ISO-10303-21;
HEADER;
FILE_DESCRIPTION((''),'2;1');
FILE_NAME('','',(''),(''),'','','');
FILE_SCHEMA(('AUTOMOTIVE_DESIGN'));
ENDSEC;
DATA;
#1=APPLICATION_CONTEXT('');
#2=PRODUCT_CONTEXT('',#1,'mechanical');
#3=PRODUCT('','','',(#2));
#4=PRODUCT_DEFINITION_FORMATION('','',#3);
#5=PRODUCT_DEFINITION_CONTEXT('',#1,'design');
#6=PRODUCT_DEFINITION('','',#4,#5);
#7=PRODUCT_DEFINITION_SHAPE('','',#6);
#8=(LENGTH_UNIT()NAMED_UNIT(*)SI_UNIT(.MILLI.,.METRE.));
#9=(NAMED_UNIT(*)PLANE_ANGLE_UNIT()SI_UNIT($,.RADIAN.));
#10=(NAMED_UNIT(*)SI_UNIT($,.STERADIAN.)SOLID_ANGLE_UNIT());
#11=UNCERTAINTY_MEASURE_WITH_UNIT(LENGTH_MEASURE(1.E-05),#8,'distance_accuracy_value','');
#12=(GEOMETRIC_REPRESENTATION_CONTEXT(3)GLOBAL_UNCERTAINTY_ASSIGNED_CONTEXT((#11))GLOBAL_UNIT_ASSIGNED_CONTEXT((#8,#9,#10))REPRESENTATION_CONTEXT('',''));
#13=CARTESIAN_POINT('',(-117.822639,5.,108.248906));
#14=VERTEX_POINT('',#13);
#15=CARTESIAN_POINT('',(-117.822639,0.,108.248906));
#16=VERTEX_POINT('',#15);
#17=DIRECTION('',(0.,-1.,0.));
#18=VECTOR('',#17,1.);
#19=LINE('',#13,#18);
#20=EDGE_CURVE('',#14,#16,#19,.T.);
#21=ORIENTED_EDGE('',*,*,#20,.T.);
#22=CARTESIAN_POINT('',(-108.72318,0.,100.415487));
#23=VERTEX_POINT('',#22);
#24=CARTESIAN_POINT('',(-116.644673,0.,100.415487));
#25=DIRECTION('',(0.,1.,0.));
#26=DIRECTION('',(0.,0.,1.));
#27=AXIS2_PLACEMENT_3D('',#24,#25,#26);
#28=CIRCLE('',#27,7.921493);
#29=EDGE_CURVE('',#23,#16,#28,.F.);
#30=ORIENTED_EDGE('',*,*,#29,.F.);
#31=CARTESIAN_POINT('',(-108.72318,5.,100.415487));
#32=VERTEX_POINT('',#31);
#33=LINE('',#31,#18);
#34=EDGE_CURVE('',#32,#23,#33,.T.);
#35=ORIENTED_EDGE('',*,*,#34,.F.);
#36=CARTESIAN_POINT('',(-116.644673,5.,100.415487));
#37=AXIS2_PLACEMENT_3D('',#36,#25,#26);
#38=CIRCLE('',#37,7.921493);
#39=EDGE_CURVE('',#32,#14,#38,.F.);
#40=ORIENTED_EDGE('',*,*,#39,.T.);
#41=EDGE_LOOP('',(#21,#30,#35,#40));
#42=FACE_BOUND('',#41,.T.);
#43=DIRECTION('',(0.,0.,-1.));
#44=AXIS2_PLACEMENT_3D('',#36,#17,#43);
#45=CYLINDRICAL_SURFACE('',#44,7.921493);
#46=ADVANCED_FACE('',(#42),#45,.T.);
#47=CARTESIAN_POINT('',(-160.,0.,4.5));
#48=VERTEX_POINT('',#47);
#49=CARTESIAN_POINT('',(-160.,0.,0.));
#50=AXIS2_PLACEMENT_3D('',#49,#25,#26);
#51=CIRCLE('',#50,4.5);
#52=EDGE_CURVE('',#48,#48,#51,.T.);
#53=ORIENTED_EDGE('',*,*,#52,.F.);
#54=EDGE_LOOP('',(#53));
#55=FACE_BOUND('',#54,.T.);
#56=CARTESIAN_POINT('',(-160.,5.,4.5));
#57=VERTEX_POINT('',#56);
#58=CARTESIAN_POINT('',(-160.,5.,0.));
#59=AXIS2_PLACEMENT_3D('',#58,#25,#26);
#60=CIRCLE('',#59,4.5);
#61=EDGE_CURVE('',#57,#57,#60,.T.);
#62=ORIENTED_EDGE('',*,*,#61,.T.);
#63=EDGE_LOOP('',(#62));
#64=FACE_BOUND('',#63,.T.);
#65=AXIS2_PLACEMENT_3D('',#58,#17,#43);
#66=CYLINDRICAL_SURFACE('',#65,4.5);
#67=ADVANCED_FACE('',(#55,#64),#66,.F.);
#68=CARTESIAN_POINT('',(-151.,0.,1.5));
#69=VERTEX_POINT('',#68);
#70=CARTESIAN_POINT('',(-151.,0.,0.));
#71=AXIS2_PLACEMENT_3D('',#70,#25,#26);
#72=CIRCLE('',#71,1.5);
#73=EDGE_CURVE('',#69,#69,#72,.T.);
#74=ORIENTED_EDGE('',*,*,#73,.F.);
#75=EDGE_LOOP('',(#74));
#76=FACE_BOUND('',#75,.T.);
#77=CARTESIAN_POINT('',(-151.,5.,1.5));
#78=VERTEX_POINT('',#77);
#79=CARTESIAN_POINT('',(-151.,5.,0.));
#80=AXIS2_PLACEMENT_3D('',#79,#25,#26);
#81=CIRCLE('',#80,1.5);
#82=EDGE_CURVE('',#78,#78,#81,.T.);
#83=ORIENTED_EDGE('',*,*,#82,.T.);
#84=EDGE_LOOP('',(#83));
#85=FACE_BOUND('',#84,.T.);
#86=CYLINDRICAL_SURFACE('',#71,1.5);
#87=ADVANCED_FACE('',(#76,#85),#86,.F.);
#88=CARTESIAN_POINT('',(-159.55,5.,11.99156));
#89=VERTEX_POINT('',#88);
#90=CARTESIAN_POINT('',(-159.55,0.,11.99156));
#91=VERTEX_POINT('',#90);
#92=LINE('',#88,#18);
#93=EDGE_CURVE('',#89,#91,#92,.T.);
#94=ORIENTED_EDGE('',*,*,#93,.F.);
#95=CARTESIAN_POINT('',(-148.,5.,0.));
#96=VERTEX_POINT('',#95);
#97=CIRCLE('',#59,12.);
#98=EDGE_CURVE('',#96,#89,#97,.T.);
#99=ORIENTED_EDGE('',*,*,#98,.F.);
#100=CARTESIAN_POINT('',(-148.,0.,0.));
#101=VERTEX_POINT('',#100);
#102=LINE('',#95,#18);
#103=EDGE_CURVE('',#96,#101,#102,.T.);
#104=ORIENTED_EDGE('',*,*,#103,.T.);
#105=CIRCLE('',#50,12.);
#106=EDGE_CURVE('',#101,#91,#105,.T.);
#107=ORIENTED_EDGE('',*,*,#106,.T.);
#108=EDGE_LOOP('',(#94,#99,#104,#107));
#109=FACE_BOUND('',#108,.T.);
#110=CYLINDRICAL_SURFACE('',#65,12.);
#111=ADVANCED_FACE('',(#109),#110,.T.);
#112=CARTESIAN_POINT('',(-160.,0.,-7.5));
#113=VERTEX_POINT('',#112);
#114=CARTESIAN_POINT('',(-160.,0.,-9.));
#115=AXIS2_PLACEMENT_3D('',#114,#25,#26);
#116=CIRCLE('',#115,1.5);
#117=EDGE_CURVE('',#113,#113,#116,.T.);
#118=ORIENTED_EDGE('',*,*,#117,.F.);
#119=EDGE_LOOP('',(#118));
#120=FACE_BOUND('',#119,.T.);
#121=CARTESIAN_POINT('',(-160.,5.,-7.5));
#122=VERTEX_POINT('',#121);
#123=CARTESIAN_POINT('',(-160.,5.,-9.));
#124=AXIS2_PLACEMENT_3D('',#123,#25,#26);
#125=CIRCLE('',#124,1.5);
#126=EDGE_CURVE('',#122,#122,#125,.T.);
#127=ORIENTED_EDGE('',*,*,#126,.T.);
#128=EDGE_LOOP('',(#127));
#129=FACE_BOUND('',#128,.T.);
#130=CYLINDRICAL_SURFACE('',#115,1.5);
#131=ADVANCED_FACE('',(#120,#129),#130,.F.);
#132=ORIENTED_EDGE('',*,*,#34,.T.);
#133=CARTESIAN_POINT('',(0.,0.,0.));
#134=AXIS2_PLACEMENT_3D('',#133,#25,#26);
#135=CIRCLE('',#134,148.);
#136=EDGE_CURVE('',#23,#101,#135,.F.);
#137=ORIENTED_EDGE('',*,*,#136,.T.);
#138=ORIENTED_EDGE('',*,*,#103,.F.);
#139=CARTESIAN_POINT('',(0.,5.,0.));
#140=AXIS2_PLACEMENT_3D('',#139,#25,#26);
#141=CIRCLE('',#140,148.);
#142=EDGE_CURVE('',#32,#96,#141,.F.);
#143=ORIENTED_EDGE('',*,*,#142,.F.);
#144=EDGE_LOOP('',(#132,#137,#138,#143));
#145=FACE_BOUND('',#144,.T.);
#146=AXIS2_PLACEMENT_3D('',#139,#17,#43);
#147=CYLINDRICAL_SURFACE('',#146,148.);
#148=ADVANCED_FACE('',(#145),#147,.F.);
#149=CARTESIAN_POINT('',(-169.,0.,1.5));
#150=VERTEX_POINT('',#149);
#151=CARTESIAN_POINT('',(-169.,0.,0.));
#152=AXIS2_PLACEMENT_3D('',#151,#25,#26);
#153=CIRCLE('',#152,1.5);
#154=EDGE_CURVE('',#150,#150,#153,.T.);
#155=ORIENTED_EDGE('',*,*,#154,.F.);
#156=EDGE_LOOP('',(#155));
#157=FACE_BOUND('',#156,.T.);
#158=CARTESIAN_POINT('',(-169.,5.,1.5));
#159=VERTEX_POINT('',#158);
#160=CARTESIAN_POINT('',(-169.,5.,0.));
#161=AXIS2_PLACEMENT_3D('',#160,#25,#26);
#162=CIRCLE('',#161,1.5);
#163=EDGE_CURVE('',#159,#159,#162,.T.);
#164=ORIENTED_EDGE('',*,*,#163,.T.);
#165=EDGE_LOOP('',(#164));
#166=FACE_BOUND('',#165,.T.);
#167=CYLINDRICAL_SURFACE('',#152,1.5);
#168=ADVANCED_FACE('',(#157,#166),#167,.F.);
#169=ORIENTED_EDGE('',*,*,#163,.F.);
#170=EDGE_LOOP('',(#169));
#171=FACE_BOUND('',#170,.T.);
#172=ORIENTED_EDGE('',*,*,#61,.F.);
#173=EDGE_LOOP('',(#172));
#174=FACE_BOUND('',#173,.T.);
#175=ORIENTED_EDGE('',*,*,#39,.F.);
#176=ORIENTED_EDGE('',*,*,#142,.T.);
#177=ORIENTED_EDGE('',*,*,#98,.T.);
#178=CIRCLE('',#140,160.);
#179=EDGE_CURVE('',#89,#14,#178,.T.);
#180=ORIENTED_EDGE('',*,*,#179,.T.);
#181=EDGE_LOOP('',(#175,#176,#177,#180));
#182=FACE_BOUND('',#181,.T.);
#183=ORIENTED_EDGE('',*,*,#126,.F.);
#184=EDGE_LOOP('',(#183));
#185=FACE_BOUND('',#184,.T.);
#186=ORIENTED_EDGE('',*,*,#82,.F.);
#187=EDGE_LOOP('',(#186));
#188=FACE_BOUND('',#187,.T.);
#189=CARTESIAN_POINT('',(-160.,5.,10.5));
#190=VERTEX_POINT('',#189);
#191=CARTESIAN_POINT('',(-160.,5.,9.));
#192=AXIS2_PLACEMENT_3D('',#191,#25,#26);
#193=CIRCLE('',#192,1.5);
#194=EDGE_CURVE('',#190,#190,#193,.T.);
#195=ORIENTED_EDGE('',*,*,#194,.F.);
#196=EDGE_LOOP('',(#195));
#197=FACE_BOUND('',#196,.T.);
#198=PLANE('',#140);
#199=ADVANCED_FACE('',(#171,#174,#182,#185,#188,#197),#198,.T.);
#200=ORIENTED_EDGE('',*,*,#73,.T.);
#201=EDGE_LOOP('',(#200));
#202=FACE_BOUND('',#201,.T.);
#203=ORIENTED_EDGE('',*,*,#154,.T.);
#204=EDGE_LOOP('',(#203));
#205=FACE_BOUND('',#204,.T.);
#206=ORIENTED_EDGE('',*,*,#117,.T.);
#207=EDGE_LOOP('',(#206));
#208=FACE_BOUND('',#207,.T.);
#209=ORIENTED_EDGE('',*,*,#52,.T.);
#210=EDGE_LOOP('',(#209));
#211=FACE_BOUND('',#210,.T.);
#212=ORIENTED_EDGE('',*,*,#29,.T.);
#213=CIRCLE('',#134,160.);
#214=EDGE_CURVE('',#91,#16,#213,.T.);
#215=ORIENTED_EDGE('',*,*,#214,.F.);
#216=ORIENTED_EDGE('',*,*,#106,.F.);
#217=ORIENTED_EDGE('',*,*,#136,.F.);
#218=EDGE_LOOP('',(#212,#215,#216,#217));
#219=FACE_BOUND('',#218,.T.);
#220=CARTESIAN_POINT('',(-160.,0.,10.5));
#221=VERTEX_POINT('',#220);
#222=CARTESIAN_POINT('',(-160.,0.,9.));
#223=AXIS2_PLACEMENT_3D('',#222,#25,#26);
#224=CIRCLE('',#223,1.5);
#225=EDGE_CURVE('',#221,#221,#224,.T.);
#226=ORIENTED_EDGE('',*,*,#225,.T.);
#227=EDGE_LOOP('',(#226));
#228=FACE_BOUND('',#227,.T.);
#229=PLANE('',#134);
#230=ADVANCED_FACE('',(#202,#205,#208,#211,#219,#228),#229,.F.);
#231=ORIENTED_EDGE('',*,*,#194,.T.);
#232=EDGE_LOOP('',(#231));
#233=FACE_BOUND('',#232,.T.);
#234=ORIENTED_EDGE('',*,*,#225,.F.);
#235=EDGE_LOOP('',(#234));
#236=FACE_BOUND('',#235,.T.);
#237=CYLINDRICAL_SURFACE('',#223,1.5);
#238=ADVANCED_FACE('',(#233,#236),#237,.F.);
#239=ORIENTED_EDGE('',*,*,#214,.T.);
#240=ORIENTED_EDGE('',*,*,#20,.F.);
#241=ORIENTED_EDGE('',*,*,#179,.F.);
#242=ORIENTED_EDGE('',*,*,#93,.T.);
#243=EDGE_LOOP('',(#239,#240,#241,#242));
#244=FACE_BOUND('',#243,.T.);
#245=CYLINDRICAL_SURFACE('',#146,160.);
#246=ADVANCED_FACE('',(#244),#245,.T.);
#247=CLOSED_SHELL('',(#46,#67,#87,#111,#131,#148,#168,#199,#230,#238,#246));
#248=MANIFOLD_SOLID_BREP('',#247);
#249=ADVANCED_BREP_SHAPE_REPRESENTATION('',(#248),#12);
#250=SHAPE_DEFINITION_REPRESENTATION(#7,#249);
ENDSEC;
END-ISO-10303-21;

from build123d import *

# Parameters (mm, degrees)
ESQUISSE1_R             = 4.5
BOSS_EXTRU_1_DEPTH      = 5
ESQUISSE2_R             = 1.5
ENL_V_MAT_EXTRU_1_DEPTH = 5


with BuildPart() as part:
    # Esquisse1 → Boss.-Extru.1 (new body)
    with BuildSketch(Plane(origin=(0, 0, 0), x_dir=(1, 0, 0), z_dir=(0, 1, 0))):
        with BuildLine():
            ThreePointArc((-148, 0), (-168.642916175, 8.324662155), (-159.55, -11.991559532))
            ThreePointArc((-159.55, -11.991559532), (-146.800083184, -63.637532772), (-117.822638991, -108.24890642))
            ThreePointArc((-117.822638991, -108.24890642), (-111.47655915, -106.418874078), (-108.723180083, -100.415487414))
            ThreePointArc((-108.723180083, -100.415487414), (-137.831474367, -53.911823136), (-148, 0))
        make_face()
        with Locations((-160, 0)):
            Circle(ESQUISSE1_R, mode=Mode.SUBTRACT)
    extrude(amount=BOSS_EXTRU_1_DEPTH)

    # Esquisse2 → Enlèv. mat.-Extru.1 (cut)
    with BuildSketch(Plane(origin=(0, 5, 0), x_dir=(1, 0, 0), z_dir=(0, 1, 0))):
        with Locations((-151, 0)):
            Circle(ESQUISSE2_R)
        with Locations((-160, -9)):
            Circle(ESQUISSE2_R)
        with Locations((-169, 0)):
            Circle(ESQUISSE2_R)
        with Locations((-160, 9)):
            Circle(ESQUISSE2_R)
    extrude(amount=-ENL_V_MAT_EXTRU_1_DEPTH, mode=Mode.SUBTRACT)


solid = part.part
